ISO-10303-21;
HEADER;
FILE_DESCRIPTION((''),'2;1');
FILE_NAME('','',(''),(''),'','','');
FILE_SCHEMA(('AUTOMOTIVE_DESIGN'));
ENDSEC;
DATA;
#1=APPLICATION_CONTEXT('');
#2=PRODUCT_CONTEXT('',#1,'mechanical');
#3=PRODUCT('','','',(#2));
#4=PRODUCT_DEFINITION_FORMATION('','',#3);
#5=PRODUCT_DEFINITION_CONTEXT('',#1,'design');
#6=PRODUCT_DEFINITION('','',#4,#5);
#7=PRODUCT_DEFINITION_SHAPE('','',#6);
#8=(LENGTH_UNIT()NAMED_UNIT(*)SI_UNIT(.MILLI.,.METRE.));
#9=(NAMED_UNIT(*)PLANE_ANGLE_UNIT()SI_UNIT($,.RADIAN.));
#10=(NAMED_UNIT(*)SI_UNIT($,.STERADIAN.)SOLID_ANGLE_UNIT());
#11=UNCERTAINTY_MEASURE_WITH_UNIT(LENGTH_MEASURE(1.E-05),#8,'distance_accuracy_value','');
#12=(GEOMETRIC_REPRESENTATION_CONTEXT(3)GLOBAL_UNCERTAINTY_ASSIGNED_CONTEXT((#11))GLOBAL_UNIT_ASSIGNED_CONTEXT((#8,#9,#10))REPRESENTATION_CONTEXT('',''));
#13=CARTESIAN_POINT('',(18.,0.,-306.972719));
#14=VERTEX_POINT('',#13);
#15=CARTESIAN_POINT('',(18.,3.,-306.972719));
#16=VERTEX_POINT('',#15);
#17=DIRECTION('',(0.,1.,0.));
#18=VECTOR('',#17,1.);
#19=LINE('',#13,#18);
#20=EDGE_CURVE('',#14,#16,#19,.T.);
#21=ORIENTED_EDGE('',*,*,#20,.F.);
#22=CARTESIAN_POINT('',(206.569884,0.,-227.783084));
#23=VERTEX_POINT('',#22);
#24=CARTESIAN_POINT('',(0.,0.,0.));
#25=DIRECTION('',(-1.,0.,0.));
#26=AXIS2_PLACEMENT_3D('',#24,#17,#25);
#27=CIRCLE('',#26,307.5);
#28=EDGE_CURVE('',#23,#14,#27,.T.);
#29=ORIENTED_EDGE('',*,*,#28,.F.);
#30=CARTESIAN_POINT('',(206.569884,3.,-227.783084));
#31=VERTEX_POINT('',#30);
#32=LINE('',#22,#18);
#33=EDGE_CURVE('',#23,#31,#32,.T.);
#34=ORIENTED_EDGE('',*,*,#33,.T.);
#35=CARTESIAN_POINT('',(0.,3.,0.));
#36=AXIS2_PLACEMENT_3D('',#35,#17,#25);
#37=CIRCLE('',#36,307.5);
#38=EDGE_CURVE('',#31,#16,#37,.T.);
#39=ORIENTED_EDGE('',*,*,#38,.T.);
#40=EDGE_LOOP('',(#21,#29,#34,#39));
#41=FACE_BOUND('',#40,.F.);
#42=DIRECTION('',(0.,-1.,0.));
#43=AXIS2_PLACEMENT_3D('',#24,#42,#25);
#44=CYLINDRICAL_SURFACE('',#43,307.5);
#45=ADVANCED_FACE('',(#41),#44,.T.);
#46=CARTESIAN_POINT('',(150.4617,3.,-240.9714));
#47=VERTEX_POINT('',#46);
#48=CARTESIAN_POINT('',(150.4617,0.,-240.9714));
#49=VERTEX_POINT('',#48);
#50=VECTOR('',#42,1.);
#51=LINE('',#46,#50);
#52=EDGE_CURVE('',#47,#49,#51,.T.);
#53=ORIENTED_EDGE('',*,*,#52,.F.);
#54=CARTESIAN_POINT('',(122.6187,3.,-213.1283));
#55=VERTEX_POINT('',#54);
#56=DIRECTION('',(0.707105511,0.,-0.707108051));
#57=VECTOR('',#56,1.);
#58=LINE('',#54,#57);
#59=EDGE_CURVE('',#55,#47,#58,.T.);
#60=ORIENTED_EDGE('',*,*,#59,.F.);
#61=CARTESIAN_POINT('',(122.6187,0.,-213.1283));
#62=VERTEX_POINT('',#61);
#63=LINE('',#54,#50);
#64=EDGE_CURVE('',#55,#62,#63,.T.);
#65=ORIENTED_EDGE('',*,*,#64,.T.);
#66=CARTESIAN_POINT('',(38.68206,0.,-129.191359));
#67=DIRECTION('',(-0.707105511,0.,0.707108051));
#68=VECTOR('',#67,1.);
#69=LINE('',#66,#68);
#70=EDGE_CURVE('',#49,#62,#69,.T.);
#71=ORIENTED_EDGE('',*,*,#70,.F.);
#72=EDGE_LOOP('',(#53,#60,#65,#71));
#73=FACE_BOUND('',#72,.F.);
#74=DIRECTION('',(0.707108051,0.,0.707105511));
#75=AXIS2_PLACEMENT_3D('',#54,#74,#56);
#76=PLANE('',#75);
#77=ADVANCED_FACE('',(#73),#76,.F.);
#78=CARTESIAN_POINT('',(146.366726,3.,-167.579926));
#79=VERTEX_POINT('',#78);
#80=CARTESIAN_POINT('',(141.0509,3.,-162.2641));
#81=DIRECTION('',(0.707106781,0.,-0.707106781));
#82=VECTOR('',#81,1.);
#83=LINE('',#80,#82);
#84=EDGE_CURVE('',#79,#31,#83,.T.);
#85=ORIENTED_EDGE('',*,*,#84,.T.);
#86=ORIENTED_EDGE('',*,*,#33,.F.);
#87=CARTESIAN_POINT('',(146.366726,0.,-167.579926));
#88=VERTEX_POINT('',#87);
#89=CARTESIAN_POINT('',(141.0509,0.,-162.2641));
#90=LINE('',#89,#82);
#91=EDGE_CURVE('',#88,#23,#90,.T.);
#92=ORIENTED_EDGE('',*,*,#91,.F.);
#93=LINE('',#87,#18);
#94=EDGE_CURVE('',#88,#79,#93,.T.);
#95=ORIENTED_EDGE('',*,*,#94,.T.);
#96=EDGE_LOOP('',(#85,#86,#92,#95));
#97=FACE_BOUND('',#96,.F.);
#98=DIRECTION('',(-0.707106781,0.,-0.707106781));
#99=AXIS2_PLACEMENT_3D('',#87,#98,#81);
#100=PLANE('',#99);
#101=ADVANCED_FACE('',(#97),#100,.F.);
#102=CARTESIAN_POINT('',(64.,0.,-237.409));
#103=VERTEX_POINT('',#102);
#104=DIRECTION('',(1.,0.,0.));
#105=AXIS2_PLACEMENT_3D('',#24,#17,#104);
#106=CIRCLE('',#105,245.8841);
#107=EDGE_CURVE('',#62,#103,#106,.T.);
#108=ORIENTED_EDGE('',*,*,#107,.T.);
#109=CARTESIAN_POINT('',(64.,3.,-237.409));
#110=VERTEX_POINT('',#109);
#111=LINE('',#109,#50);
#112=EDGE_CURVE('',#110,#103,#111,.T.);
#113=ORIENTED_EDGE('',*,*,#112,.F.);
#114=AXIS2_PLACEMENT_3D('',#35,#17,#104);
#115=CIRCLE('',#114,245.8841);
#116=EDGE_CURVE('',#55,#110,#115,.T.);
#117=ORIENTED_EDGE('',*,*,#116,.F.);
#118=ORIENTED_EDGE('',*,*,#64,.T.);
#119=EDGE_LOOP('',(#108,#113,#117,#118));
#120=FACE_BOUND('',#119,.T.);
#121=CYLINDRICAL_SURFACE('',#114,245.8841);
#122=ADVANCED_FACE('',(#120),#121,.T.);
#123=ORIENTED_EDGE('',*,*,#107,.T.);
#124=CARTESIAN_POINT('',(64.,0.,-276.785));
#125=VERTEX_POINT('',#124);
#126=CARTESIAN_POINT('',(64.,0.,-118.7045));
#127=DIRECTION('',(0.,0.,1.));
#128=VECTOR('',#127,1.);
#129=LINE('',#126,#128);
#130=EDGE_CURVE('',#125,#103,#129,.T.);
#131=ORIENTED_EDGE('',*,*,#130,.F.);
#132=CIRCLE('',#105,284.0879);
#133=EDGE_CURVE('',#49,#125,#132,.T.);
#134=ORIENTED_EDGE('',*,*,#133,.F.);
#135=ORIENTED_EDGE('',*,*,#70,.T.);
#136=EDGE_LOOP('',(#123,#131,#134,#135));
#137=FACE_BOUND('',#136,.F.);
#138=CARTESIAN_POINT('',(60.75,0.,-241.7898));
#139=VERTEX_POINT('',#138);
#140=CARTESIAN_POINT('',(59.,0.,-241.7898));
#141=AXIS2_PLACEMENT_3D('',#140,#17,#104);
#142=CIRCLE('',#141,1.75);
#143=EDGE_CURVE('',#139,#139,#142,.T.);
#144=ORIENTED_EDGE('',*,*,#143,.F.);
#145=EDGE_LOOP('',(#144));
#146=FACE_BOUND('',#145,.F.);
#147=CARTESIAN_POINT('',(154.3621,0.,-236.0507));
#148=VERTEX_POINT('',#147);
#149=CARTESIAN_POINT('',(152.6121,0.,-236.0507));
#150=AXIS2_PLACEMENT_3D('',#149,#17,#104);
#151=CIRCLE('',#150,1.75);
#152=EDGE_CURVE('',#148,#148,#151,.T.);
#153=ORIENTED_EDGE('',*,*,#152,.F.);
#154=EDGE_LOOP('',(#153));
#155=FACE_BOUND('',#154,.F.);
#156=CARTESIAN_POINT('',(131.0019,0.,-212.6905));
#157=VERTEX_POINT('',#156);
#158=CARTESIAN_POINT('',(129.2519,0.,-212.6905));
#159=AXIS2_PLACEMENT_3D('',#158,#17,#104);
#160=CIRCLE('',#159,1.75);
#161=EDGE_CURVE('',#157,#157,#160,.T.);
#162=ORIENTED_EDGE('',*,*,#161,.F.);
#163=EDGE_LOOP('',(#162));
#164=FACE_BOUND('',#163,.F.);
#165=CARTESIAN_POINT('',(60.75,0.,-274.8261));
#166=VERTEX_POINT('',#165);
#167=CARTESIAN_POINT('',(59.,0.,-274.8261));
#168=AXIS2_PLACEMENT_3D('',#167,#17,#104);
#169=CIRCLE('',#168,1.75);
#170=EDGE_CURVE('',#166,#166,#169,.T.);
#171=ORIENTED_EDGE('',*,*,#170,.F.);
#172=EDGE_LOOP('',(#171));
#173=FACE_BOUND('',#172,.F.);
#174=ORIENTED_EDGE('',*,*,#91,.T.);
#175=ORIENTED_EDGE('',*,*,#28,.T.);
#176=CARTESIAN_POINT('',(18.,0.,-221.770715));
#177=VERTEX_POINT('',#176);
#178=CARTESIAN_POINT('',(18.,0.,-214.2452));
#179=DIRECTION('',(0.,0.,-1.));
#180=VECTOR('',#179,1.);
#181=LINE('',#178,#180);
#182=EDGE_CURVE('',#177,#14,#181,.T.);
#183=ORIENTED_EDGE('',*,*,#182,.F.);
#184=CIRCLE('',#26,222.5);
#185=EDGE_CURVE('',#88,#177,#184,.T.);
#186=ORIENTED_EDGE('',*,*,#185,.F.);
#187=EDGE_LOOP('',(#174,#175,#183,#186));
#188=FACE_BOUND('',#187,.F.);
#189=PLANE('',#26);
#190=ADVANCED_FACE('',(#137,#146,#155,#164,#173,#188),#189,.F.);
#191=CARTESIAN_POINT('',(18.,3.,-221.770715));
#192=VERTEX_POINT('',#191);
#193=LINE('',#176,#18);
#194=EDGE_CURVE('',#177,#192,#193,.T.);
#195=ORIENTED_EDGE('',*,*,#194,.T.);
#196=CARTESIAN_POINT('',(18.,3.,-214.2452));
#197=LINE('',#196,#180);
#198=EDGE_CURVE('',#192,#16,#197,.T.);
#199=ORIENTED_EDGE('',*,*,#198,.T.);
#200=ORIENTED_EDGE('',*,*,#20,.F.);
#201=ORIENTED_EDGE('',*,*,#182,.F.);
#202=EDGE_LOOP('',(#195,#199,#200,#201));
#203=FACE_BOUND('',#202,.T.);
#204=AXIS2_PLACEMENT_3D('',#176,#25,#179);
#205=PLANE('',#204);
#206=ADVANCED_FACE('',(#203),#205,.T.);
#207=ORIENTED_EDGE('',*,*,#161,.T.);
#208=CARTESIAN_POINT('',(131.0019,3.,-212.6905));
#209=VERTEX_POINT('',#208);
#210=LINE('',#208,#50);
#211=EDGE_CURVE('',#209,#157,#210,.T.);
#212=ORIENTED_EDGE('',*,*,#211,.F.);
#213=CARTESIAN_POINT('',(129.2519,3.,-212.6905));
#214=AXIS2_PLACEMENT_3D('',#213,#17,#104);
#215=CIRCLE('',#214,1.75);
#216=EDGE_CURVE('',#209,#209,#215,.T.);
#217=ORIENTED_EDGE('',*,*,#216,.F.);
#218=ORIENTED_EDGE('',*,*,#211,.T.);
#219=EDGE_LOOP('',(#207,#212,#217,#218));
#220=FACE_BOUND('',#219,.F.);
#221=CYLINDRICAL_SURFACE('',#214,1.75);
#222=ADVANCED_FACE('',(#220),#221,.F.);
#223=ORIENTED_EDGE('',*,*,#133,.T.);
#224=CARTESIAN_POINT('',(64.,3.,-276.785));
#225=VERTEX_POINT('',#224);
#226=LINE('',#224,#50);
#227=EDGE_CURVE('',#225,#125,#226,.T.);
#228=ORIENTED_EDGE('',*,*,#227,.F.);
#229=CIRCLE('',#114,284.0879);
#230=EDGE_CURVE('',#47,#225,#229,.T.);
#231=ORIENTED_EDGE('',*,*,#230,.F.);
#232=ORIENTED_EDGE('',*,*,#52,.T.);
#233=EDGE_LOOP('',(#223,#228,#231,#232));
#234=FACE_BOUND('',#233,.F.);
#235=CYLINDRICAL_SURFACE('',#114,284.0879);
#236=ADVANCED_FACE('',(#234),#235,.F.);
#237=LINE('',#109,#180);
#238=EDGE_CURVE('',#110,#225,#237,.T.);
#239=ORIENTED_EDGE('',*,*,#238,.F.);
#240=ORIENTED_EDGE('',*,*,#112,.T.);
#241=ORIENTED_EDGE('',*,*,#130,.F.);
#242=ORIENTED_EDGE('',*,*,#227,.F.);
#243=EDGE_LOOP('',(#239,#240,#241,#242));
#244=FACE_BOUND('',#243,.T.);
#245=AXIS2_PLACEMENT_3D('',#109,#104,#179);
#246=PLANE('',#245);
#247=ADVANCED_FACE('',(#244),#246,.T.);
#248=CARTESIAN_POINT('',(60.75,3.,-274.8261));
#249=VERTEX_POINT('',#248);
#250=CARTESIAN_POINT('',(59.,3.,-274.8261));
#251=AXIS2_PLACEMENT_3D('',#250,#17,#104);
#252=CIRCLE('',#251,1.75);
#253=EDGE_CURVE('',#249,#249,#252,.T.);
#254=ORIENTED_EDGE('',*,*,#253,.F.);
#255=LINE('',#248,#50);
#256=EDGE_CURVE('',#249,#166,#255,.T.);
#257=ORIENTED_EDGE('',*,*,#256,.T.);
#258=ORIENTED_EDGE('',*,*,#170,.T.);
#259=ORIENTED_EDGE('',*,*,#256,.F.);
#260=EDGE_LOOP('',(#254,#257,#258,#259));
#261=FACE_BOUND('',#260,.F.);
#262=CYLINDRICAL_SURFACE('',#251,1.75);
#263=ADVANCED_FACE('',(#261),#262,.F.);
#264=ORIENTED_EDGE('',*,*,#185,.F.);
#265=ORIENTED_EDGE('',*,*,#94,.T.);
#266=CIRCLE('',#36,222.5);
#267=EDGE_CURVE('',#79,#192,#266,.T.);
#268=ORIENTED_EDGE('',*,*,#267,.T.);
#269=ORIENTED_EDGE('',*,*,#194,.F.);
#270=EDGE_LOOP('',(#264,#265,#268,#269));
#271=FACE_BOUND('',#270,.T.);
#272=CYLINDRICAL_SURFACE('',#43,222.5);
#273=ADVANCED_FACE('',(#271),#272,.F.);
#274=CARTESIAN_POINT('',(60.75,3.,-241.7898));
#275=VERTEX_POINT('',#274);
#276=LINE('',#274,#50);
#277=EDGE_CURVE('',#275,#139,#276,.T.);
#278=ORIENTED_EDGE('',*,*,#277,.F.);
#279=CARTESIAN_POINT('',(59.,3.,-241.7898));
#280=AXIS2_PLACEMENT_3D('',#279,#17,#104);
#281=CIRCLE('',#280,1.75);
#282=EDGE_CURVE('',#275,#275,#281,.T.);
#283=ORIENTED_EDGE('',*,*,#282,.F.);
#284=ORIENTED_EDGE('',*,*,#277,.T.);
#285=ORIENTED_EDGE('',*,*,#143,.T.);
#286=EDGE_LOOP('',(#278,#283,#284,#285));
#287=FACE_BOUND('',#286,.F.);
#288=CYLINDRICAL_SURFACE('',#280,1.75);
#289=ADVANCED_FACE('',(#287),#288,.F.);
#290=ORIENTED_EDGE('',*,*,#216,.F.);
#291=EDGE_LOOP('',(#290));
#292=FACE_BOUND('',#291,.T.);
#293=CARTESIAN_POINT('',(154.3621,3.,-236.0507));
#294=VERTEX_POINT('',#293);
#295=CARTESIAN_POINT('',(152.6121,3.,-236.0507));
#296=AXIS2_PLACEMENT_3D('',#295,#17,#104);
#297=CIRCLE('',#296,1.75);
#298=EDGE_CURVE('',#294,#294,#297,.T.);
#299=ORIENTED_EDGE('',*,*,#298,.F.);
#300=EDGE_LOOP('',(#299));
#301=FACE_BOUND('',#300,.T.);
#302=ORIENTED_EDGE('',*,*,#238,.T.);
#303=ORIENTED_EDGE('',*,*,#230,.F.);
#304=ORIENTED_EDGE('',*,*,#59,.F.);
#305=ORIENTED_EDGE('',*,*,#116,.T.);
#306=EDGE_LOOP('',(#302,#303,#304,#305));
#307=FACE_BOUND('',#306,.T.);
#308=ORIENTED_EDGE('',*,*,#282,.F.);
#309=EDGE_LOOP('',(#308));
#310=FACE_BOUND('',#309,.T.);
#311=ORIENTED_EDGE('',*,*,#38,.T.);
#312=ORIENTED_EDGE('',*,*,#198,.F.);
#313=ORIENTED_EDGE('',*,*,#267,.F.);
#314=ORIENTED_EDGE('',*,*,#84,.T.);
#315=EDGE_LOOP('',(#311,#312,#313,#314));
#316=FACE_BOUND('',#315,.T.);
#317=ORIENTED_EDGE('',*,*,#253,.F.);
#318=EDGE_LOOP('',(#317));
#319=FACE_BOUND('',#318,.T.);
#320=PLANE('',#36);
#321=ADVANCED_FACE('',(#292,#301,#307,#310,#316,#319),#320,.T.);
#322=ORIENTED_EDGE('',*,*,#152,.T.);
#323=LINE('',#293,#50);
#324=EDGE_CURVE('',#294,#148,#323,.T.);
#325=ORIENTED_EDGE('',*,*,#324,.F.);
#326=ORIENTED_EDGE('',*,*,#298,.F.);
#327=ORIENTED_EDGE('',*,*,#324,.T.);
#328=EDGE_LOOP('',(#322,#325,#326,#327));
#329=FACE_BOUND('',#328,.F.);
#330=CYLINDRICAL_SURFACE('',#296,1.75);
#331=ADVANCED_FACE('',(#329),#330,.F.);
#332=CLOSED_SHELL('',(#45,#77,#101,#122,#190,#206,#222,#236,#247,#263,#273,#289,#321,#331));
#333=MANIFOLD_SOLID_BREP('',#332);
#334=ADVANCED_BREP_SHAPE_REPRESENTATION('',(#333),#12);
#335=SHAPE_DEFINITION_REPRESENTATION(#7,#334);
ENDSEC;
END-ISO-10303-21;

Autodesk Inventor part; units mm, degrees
ref_plane "YZ Plane" through (0, 0, 0) normal (1, 0, 0) x (0, 1, 0)
ref_plane "XZ Plane" through (0, 0, 0) normal (0, 1, 0) x (-1, 0, 0)
ref_plane "XY Plane" through (0, 0, 0) normal (0, 0, 1) x (1, 0, 0)
sketch "Sketch1" plane through (0, 0, 0) normal (0, 1, 0) x (-1, 0, 0)
  circle A0 centre (0, 0) radius 215
  circle A1 centre (0, 0) radius 315
  line L0 (0, 0) -> (0, -315)
  line L1 (0, 0) -> (-222.7386, -222.7386)
  line L2 (-141.0509, -162.2641) -> (-211.8794, -233.0926)
  line L3 (-15, -214.4761) -> (-15, -314.6427)
  circle A2 centre (0, 0) radius 222.5
  circle A3 centre (0, 0) radius 307.5
  line L4 (-18, -214.2452) -> (-18, -314.4853)
  point P0 (-152.028, -152.028)
  point P1 (0, -215)
  point P2 (0, -312.5)
  point P3 (0, -217.5)
  point P4 (-153.7957, -153.7957)
  point P5 (-220.9709, -220.9709)
  point P6 (-210.1096, -231.3228)
  point P7 (-15, -312.1398)
  point P8 (-15, -216.9821)
  point P9 (-142.8229, -164.0361)
  point P10 (-206.5699, -227.7831)
  point P11 (-15, -307.1339)
  point P12 (-15, -221.9938)
  point P13 (-146.3667, -167.5799)
  point P14 (-18, -306.9727)
  point P15 (-18, -221.7707)
  dimension "d2" = 430
  dimension "d3" = 630
  dimension "d4" = 45
  dimension "d5" = 15
  dimension "d6" = 15
  dimension "d11" = 7.5
  dimension "d12" = 7.5
  dimension "d13" = 3
extrude "Extrusion1" add sketch "Sketch1" along normal blind 3 contours A2 L4 A3 L2
sketch "Sketch5" plane through (0, 3, 0) normal (0, 1, 0) x (1, 0, 0)
  arc A0 (146.3667, 167.5799) -> (18, 221.7707) centre (0, 0) ccw projected
  line L0 (146.3667, 167.5799) -> (206.5699, 227.7831) projected
  arc A1 (206.5699, 227.7831) -> (18, 306.9727) centre (0, 0) ccw projected
  line L1 (18, 306.9727) -> (18, 221.7707) projected
  circle A2 centre (0, 0) radius 297.5
  circle A3 centre (0, 0) radius 232.5
  line L2 (28, 296.1794) -> (28, 230.8078)
  line L3 (145.7715, 181.1268) -> (191.9425, 227.2979)
  line L4 (18, 306.9727) -> (18, 221.7707) projected
  line L5 (18, 296.955) -> (18, 231.8022)
  line L6 (146.3667, 167.5799) -> (206.5699, 227.7831) projected
  line L7 (199.4901, 220.7033) -> (153.4532, 174.6664)
  dimension "d43" = 10
  dimension "d44" = 10
  dimension "d45" = 10
  dimension "d46" = 10
sketch "Sketch6" plane through (0, 3, 0) normal (0, 1, 0) x (1, 0, 0)
  arc A0 (146.3667, 167.5799) -> (18, 221.7707) centre (0, 0) ccw projected
  line L0 (146.3667, 167.5799) -> (206.5699, 227.7831) projected
  arc A1 (206.5699, 227.7831) -> (18, 306.9727) centre (0, 0) ccw projected
  line L1 (18, 306.9727) -> (18, 221.7707) projected
  circle A2 centre (0, 0) radius 222.5
  circle A3 centre (0, 0) radius 309.5
  circle A4 centre (0, 0) radius 240
  circle A5 centre (0, 0) radius 290
  line L2 (18, 306.9727) -> (18, 221.7707) projected
  line L3 (18, 239.324) -> (18, 289.4408)
  line L4 (146.3667, 167.5799) -> (206.5699, 227.7831) projected
  line L5 (158.7672, 179.9804) -> (194.1799, 215.3931)
  line L6 (50, 234.7339) -> (50, 285.6571)
  line L7 (130.6266, 201.3373) -> (166.6348, 237.3454)
  line L8 (55, 233.6129) -> (55, 284.7367)
  line L9 (126.2984, 204.0802) -> (162.4484, 240.2301)
  circle A6 centre (0, 0) radius 245
  circle A7 centre (0, 0) radius 285
  line L10 (55, 274.8261) -> (59, 274.8261) construction
  line L11 (59, 274.8261) -> (59, 278.8261) construction
  line L12 (55, 241.7898) -> (59, 241.7898) construction
  line L13 (59, 241.7898) -> (59, 237.7898) construction
  line L14 (132.0804, 209.8621) -> (129.2519, 212.6905) construction
  line L15 (129.2519, 212.6905) -> (126.4235, 209.8621) construction
  line L16 (155.4405, 233.2223) -> (152.6121, 236.0507) construction
  line L17 (152.6121, 236.0507) -> (155.4405, 238.8791) construction
  circle A8 centre (152.6121, 236.0507) radius 1.75
  circle A9 centre (129.2519, 212.6905) radius 1.75
  circle A10 centre (59, 274.8261) radius 1.75
  circle A11 centre (59, 241.7898) radius 1.75
  line L18 (15, 221.9938) -> (15, 309.1363)
  line L19 (0, 449.6314) -> (0, -436.0219) projected
  point P0 (176.4736, 197.6868)
  dimension "d47" = 445
  dimension "d48" = 619
  dimension "d49" = 480
  dimension "d50" = 580
  dimension "d53" = 5
  dimension "d54" = 5
  dimension "d55" = 5
  dimension "d56" = 5
  dimension "d57" = 4
  dimension "d58" = 4
  dimension "d59" = 4
  dimension "d60" = 4
  dimension "d61" = 4
  dimension "d63" = 4
  dimension "d67" = 90
  dimension "d68" = 4
  dimension "d69" = 4
  dimension "d70" = 3.5
  dimension "d71" = 3.5
  dimension "d72" = 3.5
  dimension "d73" = 3.5
  dimension "d76" = 35
  dimension "d77" = 15
  dimension "d78" = 35
extrude "Extrusion4" cut sketch "Sketch6" against normal up to next contours A8 | A9 | A10 | A11
sketch "Sketch8" plane through (0, 3, 0) normal (0, 1, 0) x (1, 0, 0)
  circle A0 centre (129.2519, 212.6905) radius 1.75 projected
  circle A1 centre (59, 274.8261) radius 1.75 projected
  circle A2 centre (152.6121, 236.0507) radius 1.75 projected
  circle A3 centre (59, 241.7898) radius 1.75 projected
  arc A4 (146.3667, 167.5799) -> (18, 221.7707) centre (0, 0) ccw projected
  line L0 (146.3667, 167.5799) -> (206.5699, 227.7831) projected
  arc A5 (206.5699, 227.7831) -> (18, 306.9727) centre (0, 0) ccw projected
  line L1 (18, 306.9727) -> (18, 221.7707) projected
  circle A6 centre (129.2519, 212.6905) radius 1.75 projected
  circle A7 centre (59, 241.7898) radius 1.75 projected
  circle A8 centre (152.6121, 236.0507) radius 1.75 projected
  circle A9 centre (0, 0) radius 248.8841 construction
  circle A10 centre (59, 274.8261) radius 1.75 projected
  circle A11 centre (0, 0) radius 281.0879 construction
  circle A12 centre (0, 0) radius 245.8841
  circle A13 centre (0, 0) radius 284.0879
  line L2 (59, 241.7898) -> (59, 274.8261) construction
  line L3 (129.2519, 212.6905) -> (152.6121, 236.0507) construction
  line L4 (122.6187, 213.1283) -> (150.4617, 240.9714)
  line L5 (64, 237.409) -> (64, 276.785)
  dimension "d96" = 3
  dimension "d97" = 3
  dimension "d98" = 5
  dimension "d100" = 5
extrude "Extrusion5" cut sketch "Sketch8" against normal up to next contours A0 | A1 | A2 | A3 | A12 L5 A13 L4
properties part number "Battery Module Third Iteration" material "PLA Plastic"
